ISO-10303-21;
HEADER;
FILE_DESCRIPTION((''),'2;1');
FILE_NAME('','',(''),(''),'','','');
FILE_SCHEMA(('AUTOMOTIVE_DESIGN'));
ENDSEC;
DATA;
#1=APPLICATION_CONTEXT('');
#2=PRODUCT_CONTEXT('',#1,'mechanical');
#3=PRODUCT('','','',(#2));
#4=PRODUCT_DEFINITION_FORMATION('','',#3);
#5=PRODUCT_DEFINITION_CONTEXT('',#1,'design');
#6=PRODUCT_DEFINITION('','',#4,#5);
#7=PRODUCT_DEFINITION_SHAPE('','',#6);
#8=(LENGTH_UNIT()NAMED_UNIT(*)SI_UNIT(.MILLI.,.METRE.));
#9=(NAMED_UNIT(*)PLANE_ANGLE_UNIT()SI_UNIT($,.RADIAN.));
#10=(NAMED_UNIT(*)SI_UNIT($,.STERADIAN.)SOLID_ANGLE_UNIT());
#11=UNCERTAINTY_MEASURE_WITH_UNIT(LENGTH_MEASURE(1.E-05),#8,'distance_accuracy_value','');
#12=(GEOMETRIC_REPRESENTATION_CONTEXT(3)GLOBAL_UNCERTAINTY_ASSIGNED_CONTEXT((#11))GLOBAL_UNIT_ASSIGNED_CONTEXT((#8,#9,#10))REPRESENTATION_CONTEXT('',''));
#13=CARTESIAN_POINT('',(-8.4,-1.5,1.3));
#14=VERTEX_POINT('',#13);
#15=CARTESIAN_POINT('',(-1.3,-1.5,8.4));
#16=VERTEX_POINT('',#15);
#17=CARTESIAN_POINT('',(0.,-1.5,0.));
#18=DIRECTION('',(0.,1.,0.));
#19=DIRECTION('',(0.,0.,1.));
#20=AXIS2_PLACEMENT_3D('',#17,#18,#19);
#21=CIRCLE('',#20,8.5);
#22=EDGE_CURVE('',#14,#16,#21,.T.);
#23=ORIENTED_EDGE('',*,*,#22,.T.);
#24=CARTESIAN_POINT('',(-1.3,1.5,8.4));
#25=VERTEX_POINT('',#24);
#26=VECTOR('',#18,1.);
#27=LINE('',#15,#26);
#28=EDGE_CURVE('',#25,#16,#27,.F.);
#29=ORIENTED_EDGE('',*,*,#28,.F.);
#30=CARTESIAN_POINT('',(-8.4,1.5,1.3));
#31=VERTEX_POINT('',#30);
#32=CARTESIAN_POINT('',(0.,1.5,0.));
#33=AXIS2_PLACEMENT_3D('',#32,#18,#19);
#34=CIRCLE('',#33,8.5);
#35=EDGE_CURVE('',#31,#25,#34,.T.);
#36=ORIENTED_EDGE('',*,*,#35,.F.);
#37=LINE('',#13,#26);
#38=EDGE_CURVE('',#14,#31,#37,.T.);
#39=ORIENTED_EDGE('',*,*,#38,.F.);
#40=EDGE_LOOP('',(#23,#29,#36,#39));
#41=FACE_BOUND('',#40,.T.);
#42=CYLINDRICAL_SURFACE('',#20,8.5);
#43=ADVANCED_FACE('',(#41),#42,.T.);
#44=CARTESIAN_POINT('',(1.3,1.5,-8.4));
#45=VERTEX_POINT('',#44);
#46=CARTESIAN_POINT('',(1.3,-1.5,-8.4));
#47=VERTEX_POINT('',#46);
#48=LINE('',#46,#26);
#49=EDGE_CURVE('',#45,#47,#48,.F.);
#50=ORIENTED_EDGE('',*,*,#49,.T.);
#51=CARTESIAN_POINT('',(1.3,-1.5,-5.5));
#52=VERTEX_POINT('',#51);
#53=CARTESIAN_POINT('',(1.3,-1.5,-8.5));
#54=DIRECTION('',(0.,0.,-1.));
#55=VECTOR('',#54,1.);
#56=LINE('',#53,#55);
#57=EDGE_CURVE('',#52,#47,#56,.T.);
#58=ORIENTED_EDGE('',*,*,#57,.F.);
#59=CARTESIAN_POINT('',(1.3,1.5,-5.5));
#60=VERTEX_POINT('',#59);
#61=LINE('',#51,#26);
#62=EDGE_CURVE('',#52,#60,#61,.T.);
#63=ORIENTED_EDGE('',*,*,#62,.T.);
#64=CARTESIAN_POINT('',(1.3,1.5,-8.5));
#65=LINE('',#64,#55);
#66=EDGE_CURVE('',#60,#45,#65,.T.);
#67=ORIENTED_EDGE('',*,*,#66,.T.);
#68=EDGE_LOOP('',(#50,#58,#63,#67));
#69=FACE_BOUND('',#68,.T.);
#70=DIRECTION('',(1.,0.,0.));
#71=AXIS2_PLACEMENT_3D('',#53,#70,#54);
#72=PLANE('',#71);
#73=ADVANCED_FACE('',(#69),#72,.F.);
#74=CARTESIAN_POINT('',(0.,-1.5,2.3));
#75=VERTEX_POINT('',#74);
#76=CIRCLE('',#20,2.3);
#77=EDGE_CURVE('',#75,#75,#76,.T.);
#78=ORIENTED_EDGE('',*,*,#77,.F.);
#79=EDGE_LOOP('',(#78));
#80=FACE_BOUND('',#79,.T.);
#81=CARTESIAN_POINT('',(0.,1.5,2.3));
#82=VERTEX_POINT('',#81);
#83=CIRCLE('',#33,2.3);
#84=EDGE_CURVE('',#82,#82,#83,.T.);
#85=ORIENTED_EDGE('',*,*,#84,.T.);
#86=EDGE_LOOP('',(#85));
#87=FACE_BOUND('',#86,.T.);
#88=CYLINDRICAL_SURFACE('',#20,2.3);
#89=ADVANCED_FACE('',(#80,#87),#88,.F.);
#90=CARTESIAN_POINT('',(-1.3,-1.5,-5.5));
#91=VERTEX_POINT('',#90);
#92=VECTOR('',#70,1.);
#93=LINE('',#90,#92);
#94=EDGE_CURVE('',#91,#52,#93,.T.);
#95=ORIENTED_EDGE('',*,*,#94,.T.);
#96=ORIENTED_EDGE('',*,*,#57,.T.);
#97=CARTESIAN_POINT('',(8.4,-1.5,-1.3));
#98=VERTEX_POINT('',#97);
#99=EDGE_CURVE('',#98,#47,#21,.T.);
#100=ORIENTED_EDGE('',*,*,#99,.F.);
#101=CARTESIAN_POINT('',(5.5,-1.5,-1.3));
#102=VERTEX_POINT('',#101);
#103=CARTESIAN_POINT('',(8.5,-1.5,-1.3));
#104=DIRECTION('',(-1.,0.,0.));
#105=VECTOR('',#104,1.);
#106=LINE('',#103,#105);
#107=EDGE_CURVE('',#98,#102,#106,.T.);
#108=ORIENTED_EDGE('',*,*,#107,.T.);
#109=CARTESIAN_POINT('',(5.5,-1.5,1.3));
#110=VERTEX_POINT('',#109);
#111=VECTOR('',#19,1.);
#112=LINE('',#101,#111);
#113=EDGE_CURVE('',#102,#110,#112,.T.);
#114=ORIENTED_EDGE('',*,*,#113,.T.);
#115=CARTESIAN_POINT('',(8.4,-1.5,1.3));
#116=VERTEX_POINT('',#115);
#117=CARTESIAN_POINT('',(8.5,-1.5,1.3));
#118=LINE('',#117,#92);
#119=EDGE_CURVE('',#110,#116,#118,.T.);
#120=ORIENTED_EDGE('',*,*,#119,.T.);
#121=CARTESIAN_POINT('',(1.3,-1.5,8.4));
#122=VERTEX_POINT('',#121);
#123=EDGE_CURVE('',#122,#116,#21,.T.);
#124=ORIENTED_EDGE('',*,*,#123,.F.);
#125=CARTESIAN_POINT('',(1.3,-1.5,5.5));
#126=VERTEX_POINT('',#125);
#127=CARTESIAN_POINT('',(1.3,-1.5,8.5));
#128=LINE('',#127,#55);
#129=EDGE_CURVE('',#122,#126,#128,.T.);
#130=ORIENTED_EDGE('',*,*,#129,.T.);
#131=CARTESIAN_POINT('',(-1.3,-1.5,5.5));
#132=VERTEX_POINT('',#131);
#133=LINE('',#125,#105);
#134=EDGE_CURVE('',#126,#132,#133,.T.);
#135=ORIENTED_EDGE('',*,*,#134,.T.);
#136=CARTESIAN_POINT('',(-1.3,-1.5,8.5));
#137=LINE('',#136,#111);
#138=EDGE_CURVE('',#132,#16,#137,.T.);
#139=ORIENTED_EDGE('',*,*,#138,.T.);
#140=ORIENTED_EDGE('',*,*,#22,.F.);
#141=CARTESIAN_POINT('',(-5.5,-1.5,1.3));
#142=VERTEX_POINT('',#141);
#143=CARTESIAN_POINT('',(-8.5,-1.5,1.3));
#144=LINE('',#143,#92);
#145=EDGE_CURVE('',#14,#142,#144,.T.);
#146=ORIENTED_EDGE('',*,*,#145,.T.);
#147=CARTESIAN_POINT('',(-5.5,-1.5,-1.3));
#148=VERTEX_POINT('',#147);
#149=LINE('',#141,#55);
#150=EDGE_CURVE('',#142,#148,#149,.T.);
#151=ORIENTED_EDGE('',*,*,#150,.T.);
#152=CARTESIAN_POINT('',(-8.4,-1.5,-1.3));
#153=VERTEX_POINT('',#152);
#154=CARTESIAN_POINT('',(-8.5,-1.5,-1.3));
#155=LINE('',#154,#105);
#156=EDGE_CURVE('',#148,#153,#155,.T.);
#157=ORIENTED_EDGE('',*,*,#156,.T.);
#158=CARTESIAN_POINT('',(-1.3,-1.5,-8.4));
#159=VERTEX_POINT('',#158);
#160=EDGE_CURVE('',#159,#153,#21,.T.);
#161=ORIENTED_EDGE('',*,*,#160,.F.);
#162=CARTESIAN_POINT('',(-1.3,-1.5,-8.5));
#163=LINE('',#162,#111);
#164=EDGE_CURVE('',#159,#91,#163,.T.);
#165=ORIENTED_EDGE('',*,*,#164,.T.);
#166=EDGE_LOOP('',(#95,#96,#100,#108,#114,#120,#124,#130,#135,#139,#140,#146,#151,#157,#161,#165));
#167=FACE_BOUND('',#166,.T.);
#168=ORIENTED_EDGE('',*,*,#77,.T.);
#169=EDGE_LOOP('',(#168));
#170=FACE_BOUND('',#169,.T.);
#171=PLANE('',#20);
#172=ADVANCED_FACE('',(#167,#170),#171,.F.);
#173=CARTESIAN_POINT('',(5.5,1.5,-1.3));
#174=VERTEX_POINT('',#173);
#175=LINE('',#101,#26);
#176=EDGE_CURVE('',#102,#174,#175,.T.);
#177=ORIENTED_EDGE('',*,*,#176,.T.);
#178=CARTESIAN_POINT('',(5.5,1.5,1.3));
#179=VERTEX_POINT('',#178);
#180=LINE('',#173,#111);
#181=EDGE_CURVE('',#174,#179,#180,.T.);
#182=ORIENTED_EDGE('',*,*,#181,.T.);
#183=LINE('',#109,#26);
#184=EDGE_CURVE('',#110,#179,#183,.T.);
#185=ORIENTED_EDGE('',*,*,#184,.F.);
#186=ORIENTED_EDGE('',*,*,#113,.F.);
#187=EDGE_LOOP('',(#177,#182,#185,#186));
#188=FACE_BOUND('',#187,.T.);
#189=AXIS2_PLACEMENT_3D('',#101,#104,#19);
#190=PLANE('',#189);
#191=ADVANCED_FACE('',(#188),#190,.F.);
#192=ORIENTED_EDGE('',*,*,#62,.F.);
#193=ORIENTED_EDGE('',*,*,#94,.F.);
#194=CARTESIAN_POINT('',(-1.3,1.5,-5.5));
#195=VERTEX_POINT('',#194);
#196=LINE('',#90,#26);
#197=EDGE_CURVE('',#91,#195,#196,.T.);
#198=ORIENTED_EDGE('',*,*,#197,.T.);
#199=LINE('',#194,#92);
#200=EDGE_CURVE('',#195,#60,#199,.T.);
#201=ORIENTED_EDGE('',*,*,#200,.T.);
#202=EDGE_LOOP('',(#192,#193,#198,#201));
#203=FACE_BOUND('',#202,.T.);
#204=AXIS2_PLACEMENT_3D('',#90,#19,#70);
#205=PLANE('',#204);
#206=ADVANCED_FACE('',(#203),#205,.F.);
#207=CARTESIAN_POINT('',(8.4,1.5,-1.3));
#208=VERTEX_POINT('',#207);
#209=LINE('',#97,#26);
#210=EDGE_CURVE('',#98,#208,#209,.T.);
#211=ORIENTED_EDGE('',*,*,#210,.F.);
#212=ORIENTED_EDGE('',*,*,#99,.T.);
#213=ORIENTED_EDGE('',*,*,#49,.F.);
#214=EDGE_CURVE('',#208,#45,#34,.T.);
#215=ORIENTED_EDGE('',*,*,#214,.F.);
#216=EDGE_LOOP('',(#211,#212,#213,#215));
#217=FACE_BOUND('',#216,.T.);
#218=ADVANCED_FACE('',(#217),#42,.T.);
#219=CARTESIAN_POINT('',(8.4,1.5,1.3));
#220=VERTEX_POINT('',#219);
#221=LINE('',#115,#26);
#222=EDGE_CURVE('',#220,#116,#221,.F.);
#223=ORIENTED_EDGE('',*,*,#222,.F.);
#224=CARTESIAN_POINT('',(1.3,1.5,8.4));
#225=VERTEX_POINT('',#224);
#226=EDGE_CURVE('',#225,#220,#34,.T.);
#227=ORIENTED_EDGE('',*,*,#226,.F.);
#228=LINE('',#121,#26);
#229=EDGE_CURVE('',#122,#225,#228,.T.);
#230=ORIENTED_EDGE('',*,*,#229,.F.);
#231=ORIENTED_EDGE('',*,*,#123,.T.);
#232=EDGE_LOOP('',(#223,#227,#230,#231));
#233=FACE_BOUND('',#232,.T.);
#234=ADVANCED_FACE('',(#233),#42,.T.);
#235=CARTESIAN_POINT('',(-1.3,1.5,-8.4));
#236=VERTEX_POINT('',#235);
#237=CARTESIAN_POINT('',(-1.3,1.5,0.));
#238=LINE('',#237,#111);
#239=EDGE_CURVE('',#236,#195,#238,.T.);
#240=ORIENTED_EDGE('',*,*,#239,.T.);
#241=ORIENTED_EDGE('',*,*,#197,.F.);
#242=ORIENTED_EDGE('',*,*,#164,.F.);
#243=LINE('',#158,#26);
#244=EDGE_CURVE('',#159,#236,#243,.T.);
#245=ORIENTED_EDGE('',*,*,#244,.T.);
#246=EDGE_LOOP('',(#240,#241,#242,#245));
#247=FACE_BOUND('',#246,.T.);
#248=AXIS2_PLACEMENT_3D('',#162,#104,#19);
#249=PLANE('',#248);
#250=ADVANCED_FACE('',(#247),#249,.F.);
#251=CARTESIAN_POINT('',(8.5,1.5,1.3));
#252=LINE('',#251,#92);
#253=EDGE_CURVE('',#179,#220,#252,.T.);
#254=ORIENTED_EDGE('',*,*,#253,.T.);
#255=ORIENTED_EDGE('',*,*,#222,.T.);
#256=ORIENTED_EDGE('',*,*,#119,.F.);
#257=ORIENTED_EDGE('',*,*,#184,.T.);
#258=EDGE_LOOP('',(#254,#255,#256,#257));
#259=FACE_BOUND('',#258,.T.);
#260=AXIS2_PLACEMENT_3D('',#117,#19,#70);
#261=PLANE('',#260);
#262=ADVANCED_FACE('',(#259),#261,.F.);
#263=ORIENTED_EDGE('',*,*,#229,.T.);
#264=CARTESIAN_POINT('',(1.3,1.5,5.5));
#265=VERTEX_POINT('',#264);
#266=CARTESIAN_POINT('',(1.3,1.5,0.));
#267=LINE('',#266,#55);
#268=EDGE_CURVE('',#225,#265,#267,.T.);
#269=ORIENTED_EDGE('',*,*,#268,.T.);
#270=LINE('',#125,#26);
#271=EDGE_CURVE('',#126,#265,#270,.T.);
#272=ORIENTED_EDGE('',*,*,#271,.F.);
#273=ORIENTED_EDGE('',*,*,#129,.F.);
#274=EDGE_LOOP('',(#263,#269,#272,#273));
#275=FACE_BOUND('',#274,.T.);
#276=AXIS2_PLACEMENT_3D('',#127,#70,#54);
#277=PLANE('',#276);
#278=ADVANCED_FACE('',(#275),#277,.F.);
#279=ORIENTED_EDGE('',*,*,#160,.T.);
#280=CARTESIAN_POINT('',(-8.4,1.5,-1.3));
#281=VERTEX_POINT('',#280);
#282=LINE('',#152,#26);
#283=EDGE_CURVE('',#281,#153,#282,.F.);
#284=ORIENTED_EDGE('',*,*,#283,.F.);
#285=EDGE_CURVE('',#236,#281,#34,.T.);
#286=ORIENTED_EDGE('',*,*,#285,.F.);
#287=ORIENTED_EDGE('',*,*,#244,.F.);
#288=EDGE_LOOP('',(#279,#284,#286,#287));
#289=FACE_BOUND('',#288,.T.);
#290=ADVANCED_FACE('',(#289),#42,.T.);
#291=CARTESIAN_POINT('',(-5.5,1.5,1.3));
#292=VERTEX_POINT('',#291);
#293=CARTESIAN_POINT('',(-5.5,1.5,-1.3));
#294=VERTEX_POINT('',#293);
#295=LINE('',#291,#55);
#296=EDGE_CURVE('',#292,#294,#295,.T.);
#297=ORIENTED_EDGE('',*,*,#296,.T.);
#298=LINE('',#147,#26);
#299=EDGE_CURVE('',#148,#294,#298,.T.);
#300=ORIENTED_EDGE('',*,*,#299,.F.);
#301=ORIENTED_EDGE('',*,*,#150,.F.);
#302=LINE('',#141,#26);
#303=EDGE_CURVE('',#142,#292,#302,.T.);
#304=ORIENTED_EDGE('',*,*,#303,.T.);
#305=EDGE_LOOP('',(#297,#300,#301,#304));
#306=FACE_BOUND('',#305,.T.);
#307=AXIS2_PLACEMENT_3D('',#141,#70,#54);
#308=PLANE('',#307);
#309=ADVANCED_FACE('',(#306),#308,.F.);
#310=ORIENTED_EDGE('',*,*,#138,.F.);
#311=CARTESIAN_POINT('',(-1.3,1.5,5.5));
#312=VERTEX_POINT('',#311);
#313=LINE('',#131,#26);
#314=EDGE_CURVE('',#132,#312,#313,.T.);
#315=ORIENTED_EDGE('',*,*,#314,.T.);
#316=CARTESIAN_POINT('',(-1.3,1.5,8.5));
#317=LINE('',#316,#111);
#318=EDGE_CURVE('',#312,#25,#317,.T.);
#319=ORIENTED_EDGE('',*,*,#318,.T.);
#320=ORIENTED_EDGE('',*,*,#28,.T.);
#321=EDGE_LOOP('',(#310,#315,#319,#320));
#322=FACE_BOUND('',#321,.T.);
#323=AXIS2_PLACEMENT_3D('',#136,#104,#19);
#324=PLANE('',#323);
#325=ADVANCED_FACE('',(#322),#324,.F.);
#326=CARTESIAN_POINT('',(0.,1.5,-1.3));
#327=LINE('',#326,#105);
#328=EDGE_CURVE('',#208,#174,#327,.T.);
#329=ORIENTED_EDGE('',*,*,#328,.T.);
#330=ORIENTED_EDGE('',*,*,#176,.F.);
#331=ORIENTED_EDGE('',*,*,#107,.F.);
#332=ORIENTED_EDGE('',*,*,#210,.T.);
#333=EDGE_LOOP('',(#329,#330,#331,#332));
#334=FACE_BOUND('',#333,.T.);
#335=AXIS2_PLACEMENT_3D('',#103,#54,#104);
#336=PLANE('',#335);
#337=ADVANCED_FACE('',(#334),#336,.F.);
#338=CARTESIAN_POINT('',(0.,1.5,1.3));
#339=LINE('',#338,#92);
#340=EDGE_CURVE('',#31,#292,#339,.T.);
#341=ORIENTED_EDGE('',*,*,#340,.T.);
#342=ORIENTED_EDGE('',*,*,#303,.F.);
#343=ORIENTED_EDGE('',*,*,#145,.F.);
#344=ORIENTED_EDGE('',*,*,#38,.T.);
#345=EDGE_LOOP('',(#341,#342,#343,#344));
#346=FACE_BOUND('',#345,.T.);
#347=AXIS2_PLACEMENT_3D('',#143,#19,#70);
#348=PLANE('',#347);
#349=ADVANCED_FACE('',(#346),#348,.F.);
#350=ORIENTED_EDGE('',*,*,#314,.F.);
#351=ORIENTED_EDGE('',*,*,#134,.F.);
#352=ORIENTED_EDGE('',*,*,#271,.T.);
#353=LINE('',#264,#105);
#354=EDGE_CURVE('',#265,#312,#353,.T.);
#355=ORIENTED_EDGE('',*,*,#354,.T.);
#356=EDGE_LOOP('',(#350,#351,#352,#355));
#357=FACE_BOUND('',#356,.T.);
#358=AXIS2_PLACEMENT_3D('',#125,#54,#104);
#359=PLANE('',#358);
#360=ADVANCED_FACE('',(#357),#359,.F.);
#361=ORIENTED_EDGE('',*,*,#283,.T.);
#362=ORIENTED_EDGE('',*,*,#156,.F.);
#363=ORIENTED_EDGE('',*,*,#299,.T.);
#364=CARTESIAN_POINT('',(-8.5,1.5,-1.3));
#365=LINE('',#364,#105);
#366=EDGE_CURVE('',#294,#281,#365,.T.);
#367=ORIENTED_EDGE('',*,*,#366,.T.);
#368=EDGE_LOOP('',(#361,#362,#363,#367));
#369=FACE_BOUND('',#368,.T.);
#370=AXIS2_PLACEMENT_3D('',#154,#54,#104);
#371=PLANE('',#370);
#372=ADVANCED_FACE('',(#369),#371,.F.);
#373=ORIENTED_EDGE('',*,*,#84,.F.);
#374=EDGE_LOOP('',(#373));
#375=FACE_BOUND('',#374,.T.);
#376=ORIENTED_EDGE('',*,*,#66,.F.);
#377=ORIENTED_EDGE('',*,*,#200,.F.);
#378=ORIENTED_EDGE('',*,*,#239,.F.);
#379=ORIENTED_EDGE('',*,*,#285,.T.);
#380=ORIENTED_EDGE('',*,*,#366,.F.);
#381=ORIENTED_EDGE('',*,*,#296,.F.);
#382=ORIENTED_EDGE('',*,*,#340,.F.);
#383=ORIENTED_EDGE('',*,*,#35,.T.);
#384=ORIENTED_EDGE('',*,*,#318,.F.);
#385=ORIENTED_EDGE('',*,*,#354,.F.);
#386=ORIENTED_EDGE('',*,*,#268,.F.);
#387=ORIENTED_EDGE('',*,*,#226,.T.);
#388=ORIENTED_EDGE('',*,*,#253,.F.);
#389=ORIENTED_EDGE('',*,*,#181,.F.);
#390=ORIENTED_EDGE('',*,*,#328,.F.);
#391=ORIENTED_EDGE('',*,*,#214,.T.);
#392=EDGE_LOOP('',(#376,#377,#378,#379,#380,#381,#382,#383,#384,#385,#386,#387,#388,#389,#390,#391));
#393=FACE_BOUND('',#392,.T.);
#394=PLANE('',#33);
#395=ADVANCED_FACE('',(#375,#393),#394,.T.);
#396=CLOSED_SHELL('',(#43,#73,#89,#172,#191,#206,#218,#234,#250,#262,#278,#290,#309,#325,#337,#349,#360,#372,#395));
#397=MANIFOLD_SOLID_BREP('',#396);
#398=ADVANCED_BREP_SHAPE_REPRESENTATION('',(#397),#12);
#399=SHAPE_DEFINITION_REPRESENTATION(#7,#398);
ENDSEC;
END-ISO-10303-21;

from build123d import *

# Parameters (mm, degrees)
BOSS_EXTRUDE1_DEPTH      = 1.5
BOSS_EXTRUDE1_DEPTH_BACK = 1.5
SKETCH1_R                = 8.5
SKETCH1_R_2              = 2.3
SKETCH2_W                = 3
SKETCH2_H                = 2.6
SKETCH2_W_2              = 2.6
SKETCH2_H_2              = 3
CUT_EXTRUDE1_DEPTH       = 13.389511693


with BuildPart() as part:
    # Sketch1 → Boss-Extrude1 (new, two sides: drawn at the far end of the back side and taken through both)
    with BuildSketch(Plane(origin=(0, 0, 0), x_dir=(1, 0, 0), z_dir=(0, 1, 0)).offset(-BOSS_EXTRUDE1_DEPTH_BACK)):
        Circle(SKETCH1_R)
        Circle(SKETCH1_R_2, mode=Mode.SUBTRACT)
    extrude(amount=BOSS_EXTRUDE1_DEPTH + BOSS_EXTRUDE1_DEPTH_BACK)

    # Sketch2 → Cut-Extrude1 (cut, through all)
    with BuildSketch(Plane(origin=(0, 1.5, 0), x_dir=(1, 0, 0), z_dir=(0, 1, 0))):
        with Locations((-7, 0)):
            Rectangle(SKETCH2_W, SKETCH2_H)
        with Locations((0, -7)):
            Rectangle(SKETCH2_W_2, SKETCH2_H_2)
        with Locations((0, 7)):
            Rectangle(SKETCH2_W_2, SKETCH2_H_2)
        with Locations((7, 0)):
            Rectangle(SKETCH2_W, SKETCH2_H)
    extrude(amount=-CUT_EXTRUDE1_DEPTH, mode=Mode.SUBTRACT)


solid = part.part
